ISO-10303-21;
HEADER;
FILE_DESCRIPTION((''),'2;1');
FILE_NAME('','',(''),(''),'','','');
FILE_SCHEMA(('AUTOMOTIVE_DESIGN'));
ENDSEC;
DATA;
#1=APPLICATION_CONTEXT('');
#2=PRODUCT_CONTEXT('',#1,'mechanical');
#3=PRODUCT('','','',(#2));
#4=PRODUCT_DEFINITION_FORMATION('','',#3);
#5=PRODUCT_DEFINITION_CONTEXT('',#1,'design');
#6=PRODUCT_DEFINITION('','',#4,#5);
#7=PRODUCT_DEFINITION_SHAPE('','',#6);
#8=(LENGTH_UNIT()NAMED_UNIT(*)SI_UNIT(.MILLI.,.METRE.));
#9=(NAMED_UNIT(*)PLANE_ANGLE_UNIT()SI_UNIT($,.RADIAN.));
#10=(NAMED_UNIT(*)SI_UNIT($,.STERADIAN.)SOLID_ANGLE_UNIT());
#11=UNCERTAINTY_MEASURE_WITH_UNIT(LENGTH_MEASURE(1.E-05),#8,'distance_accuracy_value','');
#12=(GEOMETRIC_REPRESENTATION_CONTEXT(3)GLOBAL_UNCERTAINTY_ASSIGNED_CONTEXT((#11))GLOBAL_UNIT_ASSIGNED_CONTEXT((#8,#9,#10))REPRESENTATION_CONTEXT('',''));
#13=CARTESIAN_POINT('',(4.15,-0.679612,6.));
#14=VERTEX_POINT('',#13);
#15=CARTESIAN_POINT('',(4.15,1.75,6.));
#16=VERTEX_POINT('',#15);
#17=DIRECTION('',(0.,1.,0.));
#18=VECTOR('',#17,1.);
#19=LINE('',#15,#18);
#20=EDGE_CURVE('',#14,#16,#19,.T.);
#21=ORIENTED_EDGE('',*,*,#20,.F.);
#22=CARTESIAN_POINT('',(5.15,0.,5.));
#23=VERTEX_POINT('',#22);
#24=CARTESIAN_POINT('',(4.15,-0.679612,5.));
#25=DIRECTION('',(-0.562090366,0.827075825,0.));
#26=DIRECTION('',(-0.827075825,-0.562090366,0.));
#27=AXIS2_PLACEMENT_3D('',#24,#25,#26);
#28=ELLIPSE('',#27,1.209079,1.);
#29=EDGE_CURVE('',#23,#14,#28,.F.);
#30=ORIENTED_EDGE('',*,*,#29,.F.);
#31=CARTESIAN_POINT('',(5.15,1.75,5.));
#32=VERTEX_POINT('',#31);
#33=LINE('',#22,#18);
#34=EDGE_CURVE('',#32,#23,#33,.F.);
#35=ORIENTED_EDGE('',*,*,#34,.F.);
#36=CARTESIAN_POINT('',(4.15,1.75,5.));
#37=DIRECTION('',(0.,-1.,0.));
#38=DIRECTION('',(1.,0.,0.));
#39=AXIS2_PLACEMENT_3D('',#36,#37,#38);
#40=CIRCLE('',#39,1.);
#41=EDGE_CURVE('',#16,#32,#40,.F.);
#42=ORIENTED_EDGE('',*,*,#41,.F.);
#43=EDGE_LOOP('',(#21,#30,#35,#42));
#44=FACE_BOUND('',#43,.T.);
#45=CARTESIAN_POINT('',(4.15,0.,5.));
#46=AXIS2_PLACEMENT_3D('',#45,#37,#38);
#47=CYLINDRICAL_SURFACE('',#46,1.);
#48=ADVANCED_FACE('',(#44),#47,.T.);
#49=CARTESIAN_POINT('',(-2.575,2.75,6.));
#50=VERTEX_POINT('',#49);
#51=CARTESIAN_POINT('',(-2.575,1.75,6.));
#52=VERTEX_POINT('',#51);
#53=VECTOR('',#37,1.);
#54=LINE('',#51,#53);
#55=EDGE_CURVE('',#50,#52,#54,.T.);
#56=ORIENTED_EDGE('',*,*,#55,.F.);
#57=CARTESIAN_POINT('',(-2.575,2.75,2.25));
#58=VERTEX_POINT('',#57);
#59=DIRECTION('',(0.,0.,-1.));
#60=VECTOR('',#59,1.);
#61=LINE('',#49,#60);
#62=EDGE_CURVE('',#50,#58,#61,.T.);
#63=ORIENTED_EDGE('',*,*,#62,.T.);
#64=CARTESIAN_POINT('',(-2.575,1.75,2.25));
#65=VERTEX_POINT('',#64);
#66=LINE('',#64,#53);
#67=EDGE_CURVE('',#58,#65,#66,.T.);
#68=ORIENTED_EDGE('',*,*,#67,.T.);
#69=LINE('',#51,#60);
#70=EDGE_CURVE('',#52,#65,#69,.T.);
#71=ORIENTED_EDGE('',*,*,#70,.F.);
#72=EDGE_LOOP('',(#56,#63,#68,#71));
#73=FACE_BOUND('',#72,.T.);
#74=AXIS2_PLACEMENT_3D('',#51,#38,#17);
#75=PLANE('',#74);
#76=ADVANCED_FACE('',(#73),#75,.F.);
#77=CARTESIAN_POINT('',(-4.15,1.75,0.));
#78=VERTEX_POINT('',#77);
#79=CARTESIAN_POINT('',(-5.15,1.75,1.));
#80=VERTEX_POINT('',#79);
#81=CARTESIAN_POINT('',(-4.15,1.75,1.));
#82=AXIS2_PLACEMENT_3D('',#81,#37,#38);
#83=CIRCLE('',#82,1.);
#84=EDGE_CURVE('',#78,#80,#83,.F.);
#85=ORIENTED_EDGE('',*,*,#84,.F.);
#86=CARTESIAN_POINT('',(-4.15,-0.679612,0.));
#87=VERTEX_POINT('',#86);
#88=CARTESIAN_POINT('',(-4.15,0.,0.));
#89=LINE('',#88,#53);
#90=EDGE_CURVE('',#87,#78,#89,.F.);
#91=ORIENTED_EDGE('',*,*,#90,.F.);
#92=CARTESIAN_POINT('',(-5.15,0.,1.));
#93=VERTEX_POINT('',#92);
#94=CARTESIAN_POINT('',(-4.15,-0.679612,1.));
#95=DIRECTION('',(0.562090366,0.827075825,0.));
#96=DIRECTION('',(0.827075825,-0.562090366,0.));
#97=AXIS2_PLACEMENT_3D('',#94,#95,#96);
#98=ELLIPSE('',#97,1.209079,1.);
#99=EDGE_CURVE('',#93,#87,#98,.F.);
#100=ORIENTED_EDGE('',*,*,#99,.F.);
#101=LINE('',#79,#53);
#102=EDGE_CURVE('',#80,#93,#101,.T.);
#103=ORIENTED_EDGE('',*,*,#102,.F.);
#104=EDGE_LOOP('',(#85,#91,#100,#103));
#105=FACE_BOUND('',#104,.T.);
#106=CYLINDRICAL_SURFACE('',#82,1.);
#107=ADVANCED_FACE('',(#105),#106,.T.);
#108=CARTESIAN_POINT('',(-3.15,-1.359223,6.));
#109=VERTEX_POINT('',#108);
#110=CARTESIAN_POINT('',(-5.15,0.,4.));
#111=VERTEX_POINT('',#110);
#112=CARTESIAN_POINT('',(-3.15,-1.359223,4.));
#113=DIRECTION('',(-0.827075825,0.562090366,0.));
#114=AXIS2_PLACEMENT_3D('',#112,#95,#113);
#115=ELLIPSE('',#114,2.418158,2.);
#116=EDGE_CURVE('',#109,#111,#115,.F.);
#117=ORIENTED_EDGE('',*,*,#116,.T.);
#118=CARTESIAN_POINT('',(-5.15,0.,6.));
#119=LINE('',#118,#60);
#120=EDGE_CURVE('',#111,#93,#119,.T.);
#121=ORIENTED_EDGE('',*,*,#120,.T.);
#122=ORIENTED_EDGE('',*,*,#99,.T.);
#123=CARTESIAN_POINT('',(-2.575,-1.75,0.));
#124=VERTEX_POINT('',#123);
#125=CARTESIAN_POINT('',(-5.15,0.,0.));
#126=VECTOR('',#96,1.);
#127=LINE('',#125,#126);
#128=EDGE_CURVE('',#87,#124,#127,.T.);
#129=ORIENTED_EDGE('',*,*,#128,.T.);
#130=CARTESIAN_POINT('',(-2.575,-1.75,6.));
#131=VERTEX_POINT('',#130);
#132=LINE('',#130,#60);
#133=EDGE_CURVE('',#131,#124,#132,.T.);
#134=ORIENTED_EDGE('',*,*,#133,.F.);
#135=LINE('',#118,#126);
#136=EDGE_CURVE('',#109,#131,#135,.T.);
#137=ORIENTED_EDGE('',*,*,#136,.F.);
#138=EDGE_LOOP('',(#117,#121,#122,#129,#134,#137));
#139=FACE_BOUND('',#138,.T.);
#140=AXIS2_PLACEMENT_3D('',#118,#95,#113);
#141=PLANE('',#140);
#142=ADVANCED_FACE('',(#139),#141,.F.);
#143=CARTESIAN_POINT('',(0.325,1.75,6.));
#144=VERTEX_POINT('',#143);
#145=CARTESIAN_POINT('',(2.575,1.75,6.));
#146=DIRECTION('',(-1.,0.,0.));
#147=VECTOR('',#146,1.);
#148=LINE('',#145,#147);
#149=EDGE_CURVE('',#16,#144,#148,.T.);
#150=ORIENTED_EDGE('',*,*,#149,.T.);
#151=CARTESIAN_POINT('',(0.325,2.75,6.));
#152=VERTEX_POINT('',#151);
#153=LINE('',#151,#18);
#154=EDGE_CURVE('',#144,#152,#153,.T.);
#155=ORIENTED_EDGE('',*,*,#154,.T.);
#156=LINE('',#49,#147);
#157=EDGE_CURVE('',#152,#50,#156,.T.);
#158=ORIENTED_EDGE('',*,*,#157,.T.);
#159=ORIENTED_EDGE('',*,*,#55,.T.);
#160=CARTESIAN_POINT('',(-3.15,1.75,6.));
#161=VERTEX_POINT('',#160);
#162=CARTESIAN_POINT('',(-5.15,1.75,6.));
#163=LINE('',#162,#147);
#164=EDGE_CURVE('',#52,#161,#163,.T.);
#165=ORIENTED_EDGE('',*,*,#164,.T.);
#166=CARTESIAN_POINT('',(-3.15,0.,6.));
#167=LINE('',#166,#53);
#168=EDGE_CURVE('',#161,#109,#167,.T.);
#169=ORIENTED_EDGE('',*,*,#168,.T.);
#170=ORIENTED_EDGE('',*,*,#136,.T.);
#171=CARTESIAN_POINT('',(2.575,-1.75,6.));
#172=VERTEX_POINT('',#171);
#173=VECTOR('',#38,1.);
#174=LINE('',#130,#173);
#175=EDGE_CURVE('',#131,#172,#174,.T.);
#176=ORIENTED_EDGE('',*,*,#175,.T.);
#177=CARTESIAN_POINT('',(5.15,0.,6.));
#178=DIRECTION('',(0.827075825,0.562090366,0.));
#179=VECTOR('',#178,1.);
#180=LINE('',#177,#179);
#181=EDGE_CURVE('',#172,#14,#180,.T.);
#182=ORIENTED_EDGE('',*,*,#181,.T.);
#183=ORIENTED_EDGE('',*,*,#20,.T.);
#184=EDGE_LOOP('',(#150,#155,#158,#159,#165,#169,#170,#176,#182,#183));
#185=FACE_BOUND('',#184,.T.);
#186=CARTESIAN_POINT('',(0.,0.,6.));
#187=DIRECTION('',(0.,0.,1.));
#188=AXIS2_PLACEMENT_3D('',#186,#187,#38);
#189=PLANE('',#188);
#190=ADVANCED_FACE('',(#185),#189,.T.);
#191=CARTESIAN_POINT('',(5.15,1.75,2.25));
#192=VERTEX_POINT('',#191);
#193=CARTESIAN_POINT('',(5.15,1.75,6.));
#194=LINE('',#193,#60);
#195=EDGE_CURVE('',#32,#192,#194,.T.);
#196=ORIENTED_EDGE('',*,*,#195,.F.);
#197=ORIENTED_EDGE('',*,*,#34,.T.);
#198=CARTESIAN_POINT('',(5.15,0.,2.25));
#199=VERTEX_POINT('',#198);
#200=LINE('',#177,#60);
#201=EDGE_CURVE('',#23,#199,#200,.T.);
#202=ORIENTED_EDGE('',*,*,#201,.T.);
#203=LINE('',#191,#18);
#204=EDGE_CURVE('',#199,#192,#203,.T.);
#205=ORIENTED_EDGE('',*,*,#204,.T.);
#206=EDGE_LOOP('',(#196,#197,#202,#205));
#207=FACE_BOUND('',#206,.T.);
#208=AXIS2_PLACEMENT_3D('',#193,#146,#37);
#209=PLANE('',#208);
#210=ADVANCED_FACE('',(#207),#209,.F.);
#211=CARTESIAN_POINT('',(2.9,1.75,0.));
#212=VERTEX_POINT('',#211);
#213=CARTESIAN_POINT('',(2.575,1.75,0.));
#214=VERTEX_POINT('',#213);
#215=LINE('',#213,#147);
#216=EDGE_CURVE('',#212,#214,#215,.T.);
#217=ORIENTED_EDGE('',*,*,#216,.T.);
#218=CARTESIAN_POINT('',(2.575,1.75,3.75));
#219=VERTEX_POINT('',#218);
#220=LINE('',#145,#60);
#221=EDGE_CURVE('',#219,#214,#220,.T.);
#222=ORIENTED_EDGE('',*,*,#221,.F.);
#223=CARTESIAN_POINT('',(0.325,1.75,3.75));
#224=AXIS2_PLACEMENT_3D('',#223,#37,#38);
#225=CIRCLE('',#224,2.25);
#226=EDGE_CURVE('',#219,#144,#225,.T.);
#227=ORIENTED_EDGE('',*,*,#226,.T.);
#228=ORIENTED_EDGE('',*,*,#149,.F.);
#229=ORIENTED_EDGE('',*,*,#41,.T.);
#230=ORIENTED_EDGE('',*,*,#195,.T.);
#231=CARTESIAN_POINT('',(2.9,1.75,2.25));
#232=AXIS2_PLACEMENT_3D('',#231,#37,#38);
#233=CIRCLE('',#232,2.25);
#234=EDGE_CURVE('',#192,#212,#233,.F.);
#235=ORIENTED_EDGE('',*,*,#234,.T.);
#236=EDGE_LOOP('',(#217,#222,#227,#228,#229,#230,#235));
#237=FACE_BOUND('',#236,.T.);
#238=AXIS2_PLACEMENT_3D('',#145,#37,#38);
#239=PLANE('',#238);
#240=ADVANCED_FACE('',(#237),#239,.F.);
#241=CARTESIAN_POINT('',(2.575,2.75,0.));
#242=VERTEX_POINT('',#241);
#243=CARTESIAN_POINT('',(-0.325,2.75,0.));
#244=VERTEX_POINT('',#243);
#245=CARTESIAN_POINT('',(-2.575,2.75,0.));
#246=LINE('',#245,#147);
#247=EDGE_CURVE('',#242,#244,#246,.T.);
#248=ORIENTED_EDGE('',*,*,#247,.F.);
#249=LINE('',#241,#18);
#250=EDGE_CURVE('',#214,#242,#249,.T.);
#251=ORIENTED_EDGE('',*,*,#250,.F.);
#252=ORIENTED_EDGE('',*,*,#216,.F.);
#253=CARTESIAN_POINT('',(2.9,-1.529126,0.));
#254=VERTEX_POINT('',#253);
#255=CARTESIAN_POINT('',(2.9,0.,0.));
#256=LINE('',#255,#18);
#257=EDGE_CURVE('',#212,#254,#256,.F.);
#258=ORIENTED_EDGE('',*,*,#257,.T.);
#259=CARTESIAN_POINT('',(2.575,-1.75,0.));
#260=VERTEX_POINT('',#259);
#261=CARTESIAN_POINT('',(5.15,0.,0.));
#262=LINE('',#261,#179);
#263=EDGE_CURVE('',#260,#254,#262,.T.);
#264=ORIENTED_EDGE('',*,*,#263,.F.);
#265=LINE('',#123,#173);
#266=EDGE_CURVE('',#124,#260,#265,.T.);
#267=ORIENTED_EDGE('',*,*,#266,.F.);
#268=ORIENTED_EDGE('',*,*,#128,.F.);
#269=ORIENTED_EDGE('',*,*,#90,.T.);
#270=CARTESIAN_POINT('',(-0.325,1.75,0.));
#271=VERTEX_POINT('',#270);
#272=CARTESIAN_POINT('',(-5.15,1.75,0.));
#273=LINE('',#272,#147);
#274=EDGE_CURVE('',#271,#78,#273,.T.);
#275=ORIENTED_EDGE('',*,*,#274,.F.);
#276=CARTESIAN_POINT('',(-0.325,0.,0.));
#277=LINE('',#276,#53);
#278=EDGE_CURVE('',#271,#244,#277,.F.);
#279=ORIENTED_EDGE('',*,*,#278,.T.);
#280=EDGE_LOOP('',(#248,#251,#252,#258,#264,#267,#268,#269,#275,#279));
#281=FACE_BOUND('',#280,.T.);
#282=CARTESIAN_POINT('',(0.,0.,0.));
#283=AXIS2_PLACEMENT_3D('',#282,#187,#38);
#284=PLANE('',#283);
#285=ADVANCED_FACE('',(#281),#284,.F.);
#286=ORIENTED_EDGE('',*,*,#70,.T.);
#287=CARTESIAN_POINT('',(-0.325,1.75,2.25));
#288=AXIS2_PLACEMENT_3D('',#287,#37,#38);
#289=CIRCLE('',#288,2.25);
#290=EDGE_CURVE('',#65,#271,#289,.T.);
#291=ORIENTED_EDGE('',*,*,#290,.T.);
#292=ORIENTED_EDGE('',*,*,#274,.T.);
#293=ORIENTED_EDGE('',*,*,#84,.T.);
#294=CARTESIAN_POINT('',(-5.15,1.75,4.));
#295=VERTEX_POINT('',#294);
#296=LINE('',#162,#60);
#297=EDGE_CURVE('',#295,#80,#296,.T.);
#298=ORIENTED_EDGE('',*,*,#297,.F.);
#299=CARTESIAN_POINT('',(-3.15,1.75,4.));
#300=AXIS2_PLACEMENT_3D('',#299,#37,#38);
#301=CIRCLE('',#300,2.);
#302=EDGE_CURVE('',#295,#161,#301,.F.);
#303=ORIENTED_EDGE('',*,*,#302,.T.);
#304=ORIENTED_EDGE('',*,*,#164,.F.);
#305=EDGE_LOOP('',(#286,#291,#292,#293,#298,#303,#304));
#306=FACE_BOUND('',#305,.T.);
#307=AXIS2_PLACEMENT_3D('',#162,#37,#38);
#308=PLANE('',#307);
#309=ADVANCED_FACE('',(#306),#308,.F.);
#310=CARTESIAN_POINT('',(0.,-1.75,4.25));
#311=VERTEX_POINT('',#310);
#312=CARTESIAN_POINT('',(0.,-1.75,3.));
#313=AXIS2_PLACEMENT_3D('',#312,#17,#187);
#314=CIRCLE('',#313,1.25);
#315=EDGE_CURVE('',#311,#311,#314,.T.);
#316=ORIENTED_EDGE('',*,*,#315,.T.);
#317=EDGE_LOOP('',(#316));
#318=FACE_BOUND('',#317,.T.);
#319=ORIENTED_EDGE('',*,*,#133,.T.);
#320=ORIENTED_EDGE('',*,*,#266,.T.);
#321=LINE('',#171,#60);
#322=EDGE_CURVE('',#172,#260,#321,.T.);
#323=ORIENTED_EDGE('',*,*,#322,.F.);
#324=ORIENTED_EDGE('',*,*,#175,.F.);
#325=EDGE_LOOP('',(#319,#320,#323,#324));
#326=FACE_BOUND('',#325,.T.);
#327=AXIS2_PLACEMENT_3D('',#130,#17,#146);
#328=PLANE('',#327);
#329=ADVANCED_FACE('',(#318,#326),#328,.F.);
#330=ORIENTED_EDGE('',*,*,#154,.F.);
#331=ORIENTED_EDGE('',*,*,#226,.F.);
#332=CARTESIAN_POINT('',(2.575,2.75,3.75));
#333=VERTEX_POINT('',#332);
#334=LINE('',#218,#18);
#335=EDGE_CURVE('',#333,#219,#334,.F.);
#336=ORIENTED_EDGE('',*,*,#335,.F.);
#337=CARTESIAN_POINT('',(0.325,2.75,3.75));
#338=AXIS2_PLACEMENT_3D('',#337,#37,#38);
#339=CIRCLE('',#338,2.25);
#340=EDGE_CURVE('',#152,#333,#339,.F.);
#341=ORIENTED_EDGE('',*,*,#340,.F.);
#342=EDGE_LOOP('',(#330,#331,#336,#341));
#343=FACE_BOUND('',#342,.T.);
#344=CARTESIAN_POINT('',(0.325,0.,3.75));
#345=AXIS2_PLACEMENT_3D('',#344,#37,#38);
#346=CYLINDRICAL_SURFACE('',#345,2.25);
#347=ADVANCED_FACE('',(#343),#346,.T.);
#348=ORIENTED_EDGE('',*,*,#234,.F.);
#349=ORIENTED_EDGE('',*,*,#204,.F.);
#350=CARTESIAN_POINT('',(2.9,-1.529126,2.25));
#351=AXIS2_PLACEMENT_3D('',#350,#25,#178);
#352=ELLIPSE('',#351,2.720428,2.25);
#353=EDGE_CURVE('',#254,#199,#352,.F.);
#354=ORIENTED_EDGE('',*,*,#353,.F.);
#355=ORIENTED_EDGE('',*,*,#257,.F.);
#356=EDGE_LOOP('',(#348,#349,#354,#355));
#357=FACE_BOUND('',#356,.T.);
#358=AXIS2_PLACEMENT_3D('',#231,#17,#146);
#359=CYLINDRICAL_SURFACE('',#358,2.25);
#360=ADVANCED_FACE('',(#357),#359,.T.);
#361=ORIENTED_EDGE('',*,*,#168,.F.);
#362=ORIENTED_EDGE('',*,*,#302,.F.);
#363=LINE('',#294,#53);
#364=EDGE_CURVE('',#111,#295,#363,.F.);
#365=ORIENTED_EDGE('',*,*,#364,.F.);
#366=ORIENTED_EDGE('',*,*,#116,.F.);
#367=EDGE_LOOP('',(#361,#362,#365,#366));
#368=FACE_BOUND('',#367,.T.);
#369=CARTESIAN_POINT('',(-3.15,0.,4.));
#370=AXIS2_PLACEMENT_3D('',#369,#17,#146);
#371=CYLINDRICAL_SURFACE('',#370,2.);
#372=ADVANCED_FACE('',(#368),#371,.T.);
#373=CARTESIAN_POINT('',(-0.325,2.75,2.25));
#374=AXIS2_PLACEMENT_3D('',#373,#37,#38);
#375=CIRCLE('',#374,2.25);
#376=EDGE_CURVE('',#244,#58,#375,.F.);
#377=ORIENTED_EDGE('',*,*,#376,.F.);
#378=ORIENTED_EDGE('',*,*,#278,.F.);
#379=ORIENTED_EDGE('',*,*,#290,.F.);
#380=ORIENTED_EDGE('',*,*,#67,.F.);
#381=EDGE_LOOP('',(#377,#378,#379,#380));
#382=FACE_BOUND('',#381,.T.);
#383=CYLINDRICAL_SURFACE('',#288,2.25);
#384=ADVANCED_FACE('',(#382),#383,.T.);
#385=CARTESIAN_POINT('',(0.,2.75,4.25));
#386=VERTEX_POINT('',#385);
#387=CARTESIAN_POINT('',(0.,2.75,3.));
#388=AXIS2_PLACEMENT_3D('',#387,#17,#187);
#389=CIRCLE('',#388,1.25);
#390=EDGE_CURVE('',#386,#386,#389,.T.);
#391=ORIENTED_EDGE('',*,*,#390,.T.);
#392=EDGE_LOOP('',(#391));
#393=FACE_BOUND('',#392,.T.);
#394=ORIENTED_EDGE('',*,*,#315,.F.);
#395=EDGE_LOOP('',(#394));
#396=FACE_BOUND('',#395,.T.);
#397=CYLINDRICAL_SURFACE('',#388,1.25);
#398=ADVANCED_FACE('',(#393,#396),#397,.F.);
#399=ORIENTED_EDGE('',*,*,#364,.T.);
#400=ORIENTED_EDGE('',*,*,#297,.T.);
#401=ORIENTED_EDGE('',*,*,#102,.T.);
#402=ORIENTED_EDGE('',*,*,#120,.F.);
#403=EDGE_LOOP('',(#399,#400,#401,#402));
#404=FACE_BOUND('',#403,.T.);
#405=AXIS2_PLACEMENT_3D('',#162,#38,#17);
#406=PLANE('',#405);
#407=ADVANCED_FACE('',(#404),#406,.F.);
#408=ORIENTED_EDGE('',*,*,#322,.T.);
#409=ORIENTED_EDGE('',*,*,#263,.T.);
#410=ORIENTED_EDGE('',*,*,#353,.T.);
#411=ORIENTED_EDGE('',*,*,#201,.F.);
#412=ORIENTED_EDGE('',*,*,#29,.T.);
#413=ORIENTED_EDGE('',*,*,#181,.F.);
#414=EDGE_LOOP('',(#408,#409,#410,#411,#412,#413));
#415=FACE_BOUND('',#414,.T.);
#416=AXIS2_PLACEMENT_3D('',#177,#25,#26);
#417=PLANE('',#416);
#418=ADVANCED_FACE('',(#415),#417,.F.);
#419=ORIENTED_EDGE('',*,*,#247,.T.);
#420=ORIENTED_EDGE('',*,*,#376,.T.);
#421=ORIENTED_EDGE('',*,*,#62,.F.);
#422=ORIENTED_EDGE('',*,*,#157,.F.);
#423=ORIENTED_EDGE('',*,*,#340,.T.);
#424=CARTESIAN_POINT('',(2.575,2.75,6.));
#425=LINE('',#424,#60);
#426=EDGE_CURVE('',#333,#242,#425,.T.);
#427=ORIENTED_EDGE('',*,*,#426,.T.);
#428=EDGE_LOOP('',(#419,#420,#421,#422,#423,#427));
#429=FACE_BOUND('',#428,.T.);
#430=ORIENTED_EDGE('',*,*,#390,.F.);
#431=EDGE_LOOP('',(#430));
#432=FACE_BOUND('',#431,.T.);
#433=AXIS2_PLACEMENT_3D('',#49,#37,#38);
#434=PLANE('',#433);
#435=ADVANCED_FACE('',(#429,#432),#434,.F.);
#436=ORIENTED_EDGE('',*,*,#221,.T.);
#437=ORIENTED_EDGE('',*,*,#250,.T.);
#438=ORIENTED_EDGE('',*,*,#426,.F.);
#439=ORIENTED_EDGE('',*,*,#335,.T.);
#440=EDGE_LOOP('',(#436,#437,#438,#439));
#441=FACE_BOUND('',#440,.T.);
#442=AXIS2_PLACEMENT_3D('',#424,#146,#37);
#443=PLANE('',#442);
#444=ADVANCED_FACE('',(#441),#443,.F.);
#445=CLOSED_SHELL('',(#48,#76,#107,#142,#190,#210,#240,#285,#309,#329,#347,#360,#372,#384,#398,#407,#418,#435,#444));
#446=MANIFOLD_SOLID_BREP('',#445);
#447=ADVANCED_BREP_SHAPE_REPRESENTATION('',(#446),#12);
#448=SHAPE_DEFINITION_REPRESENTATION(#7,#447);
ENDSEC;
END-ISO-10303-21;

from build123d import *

# Parameters (mm, degrees)
BOSS_EXTRUDE1_DEPTH   = 6
M3X0_5_TAPPED_HOLE1_D = 2.5
FILLET1_R             = 1
FILLET2_R             = 2
FILLET3_R             = 1
FILLET4_R             = 2.25
FILLET5_R             = 2.25


with BuildPart() as part:
    # Sketch1 → Boss-Extrude1 (new body)
    with BuildSketch(Plane.XY):
        Polygon((-5.15, 1.75), (-2.575, 1.75), (-2.575, 2.75), (2.575, 2.75), (2.575, 1.75), (5.15, 1.75), (5.15, 0), (2.575, -1.75), (-2.575, -1.75), (-5.15, 0), align=None)
    extrude(amount=BOSS_EXTRUDE1_DEPTH)

    # M3x0.5 Tapped Hole1 (through all)
    with Locations(Plane(origin=(0, 2.75, 0), x_dir=(1, 0, 0), z_dir=(0, 1, 0))):
        with Locations((0, -3)):
            Hole(M3X0_5_TAPPED_HOLE1_D / 2)

    # Fillet1
    fillet1_edges = [part.edges().sort_by_distance(p)[0] for p in [
        (-5.15, 0.875, 0),
    ]]
    fillet(fillet1_edges, radius=FILLET1_R)

    # Fillet2
    fillet2_edges = [part.edges().sort_by_distance(p)[0] for p in [
        (-5.15, 0.875, 6),
    ]]
    fillet(fillet2_edges, radius=FILLET2_R)

    # Fillet3
    fillet3_edges = [part.edges().sort_by_distance(p)[0] for p in [
        (5.15, 0.875, 6),
    ]]
    fillet(fillet3_edges, radius=FILLET3_R)

    # Fillet4
    fillet4_edges = [part.edges().sort_by_distance(p)[0] for p in [
        (5.15, 0.875, 0),
    ]]
    fillet(fillet4_edges, radius=FILLET4_R)

    # Fillet5
    fillet5_edges = [part.edges().sort_by_distance(p)[0] for p in [
        (-2.575, 2.25, 0),
        (2.575, 2.25, 6),
    ]]
    fillet(fillet5_edges, radius=FILLET5_R)


solid = part.part
